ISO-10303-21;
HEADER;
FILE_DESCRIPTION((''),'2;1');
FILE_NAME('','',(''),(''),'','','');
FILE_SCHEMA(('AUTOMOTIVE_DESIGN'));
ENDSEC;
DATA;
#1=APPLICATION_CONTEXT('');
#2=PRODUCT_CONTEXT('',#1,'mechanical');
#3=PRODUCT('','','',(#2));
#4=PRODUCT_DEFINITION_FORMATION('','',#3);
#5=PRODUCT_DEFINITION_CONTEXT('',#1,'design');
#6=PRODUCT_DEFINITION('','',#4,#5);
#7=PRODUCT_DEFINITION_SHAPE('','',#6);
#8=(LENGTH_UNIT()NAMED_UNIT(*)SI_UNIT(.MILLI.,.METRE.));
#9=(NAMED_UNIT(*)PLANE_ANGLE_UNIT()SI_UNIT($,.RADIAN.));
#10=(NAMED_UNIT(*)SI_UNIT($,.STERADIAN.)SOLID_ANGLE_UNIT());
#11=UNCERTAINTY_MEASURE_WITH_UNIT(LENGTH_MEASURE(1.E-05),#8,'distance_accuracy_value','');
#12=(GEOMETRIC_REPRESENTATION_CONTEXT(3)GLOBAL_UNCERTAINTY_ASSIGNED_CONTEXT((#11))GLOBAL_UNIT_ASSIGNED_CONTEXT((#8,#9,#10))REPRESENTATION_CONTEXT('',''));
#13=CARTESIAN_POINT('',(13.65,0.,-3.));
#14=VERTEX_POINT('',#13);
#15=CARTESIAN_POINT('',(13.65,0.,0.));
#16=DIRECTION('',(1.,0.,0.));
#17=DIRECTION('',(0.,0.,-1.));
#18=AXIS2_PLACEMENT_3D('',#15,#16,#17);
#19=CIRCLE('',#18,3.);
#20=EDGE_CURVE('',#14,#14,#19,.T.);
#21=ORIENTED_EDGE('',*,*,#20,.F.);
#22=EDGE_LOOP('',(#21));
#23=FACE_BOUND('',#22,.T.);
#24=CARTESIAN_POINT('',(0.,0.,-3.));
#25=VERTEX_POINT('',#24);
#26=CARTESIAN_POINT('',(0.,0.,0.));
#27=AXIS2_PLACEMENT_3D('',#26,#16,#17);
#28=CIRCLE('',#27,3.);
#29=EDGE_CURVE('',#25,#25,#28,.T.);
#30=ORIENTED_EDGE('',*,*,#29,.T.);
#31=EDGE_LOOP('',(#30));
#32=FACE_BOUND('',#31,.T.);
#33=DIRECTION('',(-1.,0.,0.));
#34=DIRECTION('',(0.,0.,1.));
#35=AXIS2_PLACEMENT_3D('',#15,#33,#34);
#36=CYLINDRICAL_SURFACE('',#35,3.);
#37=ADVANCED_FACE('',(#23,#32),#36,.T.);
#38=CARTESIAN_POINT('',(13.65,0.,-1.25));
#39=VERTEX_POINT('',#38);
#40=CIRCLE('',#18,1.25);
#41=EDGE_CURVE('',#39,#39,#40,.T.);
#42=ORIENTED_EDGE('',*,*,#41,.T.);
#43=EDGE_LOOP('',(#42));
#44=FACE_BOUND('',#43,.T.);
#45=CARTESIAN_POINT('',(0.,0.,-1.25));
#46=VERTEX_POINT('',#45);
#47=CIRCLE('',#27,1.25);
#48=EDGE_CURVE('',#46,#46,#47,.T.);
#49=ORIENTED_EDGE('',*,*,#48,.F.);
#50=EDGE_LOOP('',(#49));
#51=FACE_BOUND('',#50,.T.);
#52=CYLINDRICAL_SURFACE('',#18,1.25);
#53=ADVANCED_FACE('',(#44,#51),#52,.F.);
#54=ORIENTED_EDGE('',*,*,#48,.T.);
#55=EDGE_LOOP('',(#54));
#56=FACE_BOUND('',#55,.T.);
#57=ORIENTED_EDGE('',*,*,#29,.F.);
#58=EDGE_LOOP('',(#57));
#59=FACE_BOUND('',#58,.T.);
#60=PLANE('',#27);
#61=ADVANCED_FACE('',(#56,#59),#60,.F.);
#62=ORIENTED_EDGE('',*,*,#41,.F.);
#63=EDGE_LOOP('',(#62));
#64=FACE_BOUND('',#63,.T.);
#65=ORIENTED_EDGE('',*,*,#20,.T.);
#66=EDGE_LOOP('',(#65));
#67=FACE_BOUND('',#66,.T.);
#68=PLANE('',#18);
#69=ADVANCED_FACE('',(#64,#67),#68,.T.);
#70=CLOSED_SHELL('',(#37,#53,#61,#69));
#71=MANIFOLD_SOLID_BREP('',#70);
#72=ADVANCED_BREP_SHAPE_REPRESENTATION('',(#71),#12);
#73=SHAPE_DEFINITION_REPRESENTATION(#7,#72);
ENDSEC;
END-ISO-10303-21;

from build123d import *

# Parameters (mm, degrees)
SKETCH1_R                   = 3
BOSS_EXTRUDE1_DEPTH         = 13.65
TAP_DRILL_FOR_M3X0_5_TAP1_D = 2.5


with BuildPart() as part:
    # Sketch1 → Boss-Extrude1 (new body)
    with BuildSketch(Plane.YZ):
        with Locations(Location((0, 0, 0), (0, 0, 270))):
            Circle(SKETCH1_R)
    extrude(amount=BOSS_EXTRUDE1_DEPTH)

    # Tap Drill for M3x0.5 Tap1 (through all)
    with Locations(Plane(origin=(13.65, 0, 0), x_dir=(0, 0, -1), z_dir=(1, 0, 0))):
        with Locations((0, 0)):
            Hole(TAP_DRILL_FOR_M3X0_5_TAP1_D / 2)


solid = part.part
